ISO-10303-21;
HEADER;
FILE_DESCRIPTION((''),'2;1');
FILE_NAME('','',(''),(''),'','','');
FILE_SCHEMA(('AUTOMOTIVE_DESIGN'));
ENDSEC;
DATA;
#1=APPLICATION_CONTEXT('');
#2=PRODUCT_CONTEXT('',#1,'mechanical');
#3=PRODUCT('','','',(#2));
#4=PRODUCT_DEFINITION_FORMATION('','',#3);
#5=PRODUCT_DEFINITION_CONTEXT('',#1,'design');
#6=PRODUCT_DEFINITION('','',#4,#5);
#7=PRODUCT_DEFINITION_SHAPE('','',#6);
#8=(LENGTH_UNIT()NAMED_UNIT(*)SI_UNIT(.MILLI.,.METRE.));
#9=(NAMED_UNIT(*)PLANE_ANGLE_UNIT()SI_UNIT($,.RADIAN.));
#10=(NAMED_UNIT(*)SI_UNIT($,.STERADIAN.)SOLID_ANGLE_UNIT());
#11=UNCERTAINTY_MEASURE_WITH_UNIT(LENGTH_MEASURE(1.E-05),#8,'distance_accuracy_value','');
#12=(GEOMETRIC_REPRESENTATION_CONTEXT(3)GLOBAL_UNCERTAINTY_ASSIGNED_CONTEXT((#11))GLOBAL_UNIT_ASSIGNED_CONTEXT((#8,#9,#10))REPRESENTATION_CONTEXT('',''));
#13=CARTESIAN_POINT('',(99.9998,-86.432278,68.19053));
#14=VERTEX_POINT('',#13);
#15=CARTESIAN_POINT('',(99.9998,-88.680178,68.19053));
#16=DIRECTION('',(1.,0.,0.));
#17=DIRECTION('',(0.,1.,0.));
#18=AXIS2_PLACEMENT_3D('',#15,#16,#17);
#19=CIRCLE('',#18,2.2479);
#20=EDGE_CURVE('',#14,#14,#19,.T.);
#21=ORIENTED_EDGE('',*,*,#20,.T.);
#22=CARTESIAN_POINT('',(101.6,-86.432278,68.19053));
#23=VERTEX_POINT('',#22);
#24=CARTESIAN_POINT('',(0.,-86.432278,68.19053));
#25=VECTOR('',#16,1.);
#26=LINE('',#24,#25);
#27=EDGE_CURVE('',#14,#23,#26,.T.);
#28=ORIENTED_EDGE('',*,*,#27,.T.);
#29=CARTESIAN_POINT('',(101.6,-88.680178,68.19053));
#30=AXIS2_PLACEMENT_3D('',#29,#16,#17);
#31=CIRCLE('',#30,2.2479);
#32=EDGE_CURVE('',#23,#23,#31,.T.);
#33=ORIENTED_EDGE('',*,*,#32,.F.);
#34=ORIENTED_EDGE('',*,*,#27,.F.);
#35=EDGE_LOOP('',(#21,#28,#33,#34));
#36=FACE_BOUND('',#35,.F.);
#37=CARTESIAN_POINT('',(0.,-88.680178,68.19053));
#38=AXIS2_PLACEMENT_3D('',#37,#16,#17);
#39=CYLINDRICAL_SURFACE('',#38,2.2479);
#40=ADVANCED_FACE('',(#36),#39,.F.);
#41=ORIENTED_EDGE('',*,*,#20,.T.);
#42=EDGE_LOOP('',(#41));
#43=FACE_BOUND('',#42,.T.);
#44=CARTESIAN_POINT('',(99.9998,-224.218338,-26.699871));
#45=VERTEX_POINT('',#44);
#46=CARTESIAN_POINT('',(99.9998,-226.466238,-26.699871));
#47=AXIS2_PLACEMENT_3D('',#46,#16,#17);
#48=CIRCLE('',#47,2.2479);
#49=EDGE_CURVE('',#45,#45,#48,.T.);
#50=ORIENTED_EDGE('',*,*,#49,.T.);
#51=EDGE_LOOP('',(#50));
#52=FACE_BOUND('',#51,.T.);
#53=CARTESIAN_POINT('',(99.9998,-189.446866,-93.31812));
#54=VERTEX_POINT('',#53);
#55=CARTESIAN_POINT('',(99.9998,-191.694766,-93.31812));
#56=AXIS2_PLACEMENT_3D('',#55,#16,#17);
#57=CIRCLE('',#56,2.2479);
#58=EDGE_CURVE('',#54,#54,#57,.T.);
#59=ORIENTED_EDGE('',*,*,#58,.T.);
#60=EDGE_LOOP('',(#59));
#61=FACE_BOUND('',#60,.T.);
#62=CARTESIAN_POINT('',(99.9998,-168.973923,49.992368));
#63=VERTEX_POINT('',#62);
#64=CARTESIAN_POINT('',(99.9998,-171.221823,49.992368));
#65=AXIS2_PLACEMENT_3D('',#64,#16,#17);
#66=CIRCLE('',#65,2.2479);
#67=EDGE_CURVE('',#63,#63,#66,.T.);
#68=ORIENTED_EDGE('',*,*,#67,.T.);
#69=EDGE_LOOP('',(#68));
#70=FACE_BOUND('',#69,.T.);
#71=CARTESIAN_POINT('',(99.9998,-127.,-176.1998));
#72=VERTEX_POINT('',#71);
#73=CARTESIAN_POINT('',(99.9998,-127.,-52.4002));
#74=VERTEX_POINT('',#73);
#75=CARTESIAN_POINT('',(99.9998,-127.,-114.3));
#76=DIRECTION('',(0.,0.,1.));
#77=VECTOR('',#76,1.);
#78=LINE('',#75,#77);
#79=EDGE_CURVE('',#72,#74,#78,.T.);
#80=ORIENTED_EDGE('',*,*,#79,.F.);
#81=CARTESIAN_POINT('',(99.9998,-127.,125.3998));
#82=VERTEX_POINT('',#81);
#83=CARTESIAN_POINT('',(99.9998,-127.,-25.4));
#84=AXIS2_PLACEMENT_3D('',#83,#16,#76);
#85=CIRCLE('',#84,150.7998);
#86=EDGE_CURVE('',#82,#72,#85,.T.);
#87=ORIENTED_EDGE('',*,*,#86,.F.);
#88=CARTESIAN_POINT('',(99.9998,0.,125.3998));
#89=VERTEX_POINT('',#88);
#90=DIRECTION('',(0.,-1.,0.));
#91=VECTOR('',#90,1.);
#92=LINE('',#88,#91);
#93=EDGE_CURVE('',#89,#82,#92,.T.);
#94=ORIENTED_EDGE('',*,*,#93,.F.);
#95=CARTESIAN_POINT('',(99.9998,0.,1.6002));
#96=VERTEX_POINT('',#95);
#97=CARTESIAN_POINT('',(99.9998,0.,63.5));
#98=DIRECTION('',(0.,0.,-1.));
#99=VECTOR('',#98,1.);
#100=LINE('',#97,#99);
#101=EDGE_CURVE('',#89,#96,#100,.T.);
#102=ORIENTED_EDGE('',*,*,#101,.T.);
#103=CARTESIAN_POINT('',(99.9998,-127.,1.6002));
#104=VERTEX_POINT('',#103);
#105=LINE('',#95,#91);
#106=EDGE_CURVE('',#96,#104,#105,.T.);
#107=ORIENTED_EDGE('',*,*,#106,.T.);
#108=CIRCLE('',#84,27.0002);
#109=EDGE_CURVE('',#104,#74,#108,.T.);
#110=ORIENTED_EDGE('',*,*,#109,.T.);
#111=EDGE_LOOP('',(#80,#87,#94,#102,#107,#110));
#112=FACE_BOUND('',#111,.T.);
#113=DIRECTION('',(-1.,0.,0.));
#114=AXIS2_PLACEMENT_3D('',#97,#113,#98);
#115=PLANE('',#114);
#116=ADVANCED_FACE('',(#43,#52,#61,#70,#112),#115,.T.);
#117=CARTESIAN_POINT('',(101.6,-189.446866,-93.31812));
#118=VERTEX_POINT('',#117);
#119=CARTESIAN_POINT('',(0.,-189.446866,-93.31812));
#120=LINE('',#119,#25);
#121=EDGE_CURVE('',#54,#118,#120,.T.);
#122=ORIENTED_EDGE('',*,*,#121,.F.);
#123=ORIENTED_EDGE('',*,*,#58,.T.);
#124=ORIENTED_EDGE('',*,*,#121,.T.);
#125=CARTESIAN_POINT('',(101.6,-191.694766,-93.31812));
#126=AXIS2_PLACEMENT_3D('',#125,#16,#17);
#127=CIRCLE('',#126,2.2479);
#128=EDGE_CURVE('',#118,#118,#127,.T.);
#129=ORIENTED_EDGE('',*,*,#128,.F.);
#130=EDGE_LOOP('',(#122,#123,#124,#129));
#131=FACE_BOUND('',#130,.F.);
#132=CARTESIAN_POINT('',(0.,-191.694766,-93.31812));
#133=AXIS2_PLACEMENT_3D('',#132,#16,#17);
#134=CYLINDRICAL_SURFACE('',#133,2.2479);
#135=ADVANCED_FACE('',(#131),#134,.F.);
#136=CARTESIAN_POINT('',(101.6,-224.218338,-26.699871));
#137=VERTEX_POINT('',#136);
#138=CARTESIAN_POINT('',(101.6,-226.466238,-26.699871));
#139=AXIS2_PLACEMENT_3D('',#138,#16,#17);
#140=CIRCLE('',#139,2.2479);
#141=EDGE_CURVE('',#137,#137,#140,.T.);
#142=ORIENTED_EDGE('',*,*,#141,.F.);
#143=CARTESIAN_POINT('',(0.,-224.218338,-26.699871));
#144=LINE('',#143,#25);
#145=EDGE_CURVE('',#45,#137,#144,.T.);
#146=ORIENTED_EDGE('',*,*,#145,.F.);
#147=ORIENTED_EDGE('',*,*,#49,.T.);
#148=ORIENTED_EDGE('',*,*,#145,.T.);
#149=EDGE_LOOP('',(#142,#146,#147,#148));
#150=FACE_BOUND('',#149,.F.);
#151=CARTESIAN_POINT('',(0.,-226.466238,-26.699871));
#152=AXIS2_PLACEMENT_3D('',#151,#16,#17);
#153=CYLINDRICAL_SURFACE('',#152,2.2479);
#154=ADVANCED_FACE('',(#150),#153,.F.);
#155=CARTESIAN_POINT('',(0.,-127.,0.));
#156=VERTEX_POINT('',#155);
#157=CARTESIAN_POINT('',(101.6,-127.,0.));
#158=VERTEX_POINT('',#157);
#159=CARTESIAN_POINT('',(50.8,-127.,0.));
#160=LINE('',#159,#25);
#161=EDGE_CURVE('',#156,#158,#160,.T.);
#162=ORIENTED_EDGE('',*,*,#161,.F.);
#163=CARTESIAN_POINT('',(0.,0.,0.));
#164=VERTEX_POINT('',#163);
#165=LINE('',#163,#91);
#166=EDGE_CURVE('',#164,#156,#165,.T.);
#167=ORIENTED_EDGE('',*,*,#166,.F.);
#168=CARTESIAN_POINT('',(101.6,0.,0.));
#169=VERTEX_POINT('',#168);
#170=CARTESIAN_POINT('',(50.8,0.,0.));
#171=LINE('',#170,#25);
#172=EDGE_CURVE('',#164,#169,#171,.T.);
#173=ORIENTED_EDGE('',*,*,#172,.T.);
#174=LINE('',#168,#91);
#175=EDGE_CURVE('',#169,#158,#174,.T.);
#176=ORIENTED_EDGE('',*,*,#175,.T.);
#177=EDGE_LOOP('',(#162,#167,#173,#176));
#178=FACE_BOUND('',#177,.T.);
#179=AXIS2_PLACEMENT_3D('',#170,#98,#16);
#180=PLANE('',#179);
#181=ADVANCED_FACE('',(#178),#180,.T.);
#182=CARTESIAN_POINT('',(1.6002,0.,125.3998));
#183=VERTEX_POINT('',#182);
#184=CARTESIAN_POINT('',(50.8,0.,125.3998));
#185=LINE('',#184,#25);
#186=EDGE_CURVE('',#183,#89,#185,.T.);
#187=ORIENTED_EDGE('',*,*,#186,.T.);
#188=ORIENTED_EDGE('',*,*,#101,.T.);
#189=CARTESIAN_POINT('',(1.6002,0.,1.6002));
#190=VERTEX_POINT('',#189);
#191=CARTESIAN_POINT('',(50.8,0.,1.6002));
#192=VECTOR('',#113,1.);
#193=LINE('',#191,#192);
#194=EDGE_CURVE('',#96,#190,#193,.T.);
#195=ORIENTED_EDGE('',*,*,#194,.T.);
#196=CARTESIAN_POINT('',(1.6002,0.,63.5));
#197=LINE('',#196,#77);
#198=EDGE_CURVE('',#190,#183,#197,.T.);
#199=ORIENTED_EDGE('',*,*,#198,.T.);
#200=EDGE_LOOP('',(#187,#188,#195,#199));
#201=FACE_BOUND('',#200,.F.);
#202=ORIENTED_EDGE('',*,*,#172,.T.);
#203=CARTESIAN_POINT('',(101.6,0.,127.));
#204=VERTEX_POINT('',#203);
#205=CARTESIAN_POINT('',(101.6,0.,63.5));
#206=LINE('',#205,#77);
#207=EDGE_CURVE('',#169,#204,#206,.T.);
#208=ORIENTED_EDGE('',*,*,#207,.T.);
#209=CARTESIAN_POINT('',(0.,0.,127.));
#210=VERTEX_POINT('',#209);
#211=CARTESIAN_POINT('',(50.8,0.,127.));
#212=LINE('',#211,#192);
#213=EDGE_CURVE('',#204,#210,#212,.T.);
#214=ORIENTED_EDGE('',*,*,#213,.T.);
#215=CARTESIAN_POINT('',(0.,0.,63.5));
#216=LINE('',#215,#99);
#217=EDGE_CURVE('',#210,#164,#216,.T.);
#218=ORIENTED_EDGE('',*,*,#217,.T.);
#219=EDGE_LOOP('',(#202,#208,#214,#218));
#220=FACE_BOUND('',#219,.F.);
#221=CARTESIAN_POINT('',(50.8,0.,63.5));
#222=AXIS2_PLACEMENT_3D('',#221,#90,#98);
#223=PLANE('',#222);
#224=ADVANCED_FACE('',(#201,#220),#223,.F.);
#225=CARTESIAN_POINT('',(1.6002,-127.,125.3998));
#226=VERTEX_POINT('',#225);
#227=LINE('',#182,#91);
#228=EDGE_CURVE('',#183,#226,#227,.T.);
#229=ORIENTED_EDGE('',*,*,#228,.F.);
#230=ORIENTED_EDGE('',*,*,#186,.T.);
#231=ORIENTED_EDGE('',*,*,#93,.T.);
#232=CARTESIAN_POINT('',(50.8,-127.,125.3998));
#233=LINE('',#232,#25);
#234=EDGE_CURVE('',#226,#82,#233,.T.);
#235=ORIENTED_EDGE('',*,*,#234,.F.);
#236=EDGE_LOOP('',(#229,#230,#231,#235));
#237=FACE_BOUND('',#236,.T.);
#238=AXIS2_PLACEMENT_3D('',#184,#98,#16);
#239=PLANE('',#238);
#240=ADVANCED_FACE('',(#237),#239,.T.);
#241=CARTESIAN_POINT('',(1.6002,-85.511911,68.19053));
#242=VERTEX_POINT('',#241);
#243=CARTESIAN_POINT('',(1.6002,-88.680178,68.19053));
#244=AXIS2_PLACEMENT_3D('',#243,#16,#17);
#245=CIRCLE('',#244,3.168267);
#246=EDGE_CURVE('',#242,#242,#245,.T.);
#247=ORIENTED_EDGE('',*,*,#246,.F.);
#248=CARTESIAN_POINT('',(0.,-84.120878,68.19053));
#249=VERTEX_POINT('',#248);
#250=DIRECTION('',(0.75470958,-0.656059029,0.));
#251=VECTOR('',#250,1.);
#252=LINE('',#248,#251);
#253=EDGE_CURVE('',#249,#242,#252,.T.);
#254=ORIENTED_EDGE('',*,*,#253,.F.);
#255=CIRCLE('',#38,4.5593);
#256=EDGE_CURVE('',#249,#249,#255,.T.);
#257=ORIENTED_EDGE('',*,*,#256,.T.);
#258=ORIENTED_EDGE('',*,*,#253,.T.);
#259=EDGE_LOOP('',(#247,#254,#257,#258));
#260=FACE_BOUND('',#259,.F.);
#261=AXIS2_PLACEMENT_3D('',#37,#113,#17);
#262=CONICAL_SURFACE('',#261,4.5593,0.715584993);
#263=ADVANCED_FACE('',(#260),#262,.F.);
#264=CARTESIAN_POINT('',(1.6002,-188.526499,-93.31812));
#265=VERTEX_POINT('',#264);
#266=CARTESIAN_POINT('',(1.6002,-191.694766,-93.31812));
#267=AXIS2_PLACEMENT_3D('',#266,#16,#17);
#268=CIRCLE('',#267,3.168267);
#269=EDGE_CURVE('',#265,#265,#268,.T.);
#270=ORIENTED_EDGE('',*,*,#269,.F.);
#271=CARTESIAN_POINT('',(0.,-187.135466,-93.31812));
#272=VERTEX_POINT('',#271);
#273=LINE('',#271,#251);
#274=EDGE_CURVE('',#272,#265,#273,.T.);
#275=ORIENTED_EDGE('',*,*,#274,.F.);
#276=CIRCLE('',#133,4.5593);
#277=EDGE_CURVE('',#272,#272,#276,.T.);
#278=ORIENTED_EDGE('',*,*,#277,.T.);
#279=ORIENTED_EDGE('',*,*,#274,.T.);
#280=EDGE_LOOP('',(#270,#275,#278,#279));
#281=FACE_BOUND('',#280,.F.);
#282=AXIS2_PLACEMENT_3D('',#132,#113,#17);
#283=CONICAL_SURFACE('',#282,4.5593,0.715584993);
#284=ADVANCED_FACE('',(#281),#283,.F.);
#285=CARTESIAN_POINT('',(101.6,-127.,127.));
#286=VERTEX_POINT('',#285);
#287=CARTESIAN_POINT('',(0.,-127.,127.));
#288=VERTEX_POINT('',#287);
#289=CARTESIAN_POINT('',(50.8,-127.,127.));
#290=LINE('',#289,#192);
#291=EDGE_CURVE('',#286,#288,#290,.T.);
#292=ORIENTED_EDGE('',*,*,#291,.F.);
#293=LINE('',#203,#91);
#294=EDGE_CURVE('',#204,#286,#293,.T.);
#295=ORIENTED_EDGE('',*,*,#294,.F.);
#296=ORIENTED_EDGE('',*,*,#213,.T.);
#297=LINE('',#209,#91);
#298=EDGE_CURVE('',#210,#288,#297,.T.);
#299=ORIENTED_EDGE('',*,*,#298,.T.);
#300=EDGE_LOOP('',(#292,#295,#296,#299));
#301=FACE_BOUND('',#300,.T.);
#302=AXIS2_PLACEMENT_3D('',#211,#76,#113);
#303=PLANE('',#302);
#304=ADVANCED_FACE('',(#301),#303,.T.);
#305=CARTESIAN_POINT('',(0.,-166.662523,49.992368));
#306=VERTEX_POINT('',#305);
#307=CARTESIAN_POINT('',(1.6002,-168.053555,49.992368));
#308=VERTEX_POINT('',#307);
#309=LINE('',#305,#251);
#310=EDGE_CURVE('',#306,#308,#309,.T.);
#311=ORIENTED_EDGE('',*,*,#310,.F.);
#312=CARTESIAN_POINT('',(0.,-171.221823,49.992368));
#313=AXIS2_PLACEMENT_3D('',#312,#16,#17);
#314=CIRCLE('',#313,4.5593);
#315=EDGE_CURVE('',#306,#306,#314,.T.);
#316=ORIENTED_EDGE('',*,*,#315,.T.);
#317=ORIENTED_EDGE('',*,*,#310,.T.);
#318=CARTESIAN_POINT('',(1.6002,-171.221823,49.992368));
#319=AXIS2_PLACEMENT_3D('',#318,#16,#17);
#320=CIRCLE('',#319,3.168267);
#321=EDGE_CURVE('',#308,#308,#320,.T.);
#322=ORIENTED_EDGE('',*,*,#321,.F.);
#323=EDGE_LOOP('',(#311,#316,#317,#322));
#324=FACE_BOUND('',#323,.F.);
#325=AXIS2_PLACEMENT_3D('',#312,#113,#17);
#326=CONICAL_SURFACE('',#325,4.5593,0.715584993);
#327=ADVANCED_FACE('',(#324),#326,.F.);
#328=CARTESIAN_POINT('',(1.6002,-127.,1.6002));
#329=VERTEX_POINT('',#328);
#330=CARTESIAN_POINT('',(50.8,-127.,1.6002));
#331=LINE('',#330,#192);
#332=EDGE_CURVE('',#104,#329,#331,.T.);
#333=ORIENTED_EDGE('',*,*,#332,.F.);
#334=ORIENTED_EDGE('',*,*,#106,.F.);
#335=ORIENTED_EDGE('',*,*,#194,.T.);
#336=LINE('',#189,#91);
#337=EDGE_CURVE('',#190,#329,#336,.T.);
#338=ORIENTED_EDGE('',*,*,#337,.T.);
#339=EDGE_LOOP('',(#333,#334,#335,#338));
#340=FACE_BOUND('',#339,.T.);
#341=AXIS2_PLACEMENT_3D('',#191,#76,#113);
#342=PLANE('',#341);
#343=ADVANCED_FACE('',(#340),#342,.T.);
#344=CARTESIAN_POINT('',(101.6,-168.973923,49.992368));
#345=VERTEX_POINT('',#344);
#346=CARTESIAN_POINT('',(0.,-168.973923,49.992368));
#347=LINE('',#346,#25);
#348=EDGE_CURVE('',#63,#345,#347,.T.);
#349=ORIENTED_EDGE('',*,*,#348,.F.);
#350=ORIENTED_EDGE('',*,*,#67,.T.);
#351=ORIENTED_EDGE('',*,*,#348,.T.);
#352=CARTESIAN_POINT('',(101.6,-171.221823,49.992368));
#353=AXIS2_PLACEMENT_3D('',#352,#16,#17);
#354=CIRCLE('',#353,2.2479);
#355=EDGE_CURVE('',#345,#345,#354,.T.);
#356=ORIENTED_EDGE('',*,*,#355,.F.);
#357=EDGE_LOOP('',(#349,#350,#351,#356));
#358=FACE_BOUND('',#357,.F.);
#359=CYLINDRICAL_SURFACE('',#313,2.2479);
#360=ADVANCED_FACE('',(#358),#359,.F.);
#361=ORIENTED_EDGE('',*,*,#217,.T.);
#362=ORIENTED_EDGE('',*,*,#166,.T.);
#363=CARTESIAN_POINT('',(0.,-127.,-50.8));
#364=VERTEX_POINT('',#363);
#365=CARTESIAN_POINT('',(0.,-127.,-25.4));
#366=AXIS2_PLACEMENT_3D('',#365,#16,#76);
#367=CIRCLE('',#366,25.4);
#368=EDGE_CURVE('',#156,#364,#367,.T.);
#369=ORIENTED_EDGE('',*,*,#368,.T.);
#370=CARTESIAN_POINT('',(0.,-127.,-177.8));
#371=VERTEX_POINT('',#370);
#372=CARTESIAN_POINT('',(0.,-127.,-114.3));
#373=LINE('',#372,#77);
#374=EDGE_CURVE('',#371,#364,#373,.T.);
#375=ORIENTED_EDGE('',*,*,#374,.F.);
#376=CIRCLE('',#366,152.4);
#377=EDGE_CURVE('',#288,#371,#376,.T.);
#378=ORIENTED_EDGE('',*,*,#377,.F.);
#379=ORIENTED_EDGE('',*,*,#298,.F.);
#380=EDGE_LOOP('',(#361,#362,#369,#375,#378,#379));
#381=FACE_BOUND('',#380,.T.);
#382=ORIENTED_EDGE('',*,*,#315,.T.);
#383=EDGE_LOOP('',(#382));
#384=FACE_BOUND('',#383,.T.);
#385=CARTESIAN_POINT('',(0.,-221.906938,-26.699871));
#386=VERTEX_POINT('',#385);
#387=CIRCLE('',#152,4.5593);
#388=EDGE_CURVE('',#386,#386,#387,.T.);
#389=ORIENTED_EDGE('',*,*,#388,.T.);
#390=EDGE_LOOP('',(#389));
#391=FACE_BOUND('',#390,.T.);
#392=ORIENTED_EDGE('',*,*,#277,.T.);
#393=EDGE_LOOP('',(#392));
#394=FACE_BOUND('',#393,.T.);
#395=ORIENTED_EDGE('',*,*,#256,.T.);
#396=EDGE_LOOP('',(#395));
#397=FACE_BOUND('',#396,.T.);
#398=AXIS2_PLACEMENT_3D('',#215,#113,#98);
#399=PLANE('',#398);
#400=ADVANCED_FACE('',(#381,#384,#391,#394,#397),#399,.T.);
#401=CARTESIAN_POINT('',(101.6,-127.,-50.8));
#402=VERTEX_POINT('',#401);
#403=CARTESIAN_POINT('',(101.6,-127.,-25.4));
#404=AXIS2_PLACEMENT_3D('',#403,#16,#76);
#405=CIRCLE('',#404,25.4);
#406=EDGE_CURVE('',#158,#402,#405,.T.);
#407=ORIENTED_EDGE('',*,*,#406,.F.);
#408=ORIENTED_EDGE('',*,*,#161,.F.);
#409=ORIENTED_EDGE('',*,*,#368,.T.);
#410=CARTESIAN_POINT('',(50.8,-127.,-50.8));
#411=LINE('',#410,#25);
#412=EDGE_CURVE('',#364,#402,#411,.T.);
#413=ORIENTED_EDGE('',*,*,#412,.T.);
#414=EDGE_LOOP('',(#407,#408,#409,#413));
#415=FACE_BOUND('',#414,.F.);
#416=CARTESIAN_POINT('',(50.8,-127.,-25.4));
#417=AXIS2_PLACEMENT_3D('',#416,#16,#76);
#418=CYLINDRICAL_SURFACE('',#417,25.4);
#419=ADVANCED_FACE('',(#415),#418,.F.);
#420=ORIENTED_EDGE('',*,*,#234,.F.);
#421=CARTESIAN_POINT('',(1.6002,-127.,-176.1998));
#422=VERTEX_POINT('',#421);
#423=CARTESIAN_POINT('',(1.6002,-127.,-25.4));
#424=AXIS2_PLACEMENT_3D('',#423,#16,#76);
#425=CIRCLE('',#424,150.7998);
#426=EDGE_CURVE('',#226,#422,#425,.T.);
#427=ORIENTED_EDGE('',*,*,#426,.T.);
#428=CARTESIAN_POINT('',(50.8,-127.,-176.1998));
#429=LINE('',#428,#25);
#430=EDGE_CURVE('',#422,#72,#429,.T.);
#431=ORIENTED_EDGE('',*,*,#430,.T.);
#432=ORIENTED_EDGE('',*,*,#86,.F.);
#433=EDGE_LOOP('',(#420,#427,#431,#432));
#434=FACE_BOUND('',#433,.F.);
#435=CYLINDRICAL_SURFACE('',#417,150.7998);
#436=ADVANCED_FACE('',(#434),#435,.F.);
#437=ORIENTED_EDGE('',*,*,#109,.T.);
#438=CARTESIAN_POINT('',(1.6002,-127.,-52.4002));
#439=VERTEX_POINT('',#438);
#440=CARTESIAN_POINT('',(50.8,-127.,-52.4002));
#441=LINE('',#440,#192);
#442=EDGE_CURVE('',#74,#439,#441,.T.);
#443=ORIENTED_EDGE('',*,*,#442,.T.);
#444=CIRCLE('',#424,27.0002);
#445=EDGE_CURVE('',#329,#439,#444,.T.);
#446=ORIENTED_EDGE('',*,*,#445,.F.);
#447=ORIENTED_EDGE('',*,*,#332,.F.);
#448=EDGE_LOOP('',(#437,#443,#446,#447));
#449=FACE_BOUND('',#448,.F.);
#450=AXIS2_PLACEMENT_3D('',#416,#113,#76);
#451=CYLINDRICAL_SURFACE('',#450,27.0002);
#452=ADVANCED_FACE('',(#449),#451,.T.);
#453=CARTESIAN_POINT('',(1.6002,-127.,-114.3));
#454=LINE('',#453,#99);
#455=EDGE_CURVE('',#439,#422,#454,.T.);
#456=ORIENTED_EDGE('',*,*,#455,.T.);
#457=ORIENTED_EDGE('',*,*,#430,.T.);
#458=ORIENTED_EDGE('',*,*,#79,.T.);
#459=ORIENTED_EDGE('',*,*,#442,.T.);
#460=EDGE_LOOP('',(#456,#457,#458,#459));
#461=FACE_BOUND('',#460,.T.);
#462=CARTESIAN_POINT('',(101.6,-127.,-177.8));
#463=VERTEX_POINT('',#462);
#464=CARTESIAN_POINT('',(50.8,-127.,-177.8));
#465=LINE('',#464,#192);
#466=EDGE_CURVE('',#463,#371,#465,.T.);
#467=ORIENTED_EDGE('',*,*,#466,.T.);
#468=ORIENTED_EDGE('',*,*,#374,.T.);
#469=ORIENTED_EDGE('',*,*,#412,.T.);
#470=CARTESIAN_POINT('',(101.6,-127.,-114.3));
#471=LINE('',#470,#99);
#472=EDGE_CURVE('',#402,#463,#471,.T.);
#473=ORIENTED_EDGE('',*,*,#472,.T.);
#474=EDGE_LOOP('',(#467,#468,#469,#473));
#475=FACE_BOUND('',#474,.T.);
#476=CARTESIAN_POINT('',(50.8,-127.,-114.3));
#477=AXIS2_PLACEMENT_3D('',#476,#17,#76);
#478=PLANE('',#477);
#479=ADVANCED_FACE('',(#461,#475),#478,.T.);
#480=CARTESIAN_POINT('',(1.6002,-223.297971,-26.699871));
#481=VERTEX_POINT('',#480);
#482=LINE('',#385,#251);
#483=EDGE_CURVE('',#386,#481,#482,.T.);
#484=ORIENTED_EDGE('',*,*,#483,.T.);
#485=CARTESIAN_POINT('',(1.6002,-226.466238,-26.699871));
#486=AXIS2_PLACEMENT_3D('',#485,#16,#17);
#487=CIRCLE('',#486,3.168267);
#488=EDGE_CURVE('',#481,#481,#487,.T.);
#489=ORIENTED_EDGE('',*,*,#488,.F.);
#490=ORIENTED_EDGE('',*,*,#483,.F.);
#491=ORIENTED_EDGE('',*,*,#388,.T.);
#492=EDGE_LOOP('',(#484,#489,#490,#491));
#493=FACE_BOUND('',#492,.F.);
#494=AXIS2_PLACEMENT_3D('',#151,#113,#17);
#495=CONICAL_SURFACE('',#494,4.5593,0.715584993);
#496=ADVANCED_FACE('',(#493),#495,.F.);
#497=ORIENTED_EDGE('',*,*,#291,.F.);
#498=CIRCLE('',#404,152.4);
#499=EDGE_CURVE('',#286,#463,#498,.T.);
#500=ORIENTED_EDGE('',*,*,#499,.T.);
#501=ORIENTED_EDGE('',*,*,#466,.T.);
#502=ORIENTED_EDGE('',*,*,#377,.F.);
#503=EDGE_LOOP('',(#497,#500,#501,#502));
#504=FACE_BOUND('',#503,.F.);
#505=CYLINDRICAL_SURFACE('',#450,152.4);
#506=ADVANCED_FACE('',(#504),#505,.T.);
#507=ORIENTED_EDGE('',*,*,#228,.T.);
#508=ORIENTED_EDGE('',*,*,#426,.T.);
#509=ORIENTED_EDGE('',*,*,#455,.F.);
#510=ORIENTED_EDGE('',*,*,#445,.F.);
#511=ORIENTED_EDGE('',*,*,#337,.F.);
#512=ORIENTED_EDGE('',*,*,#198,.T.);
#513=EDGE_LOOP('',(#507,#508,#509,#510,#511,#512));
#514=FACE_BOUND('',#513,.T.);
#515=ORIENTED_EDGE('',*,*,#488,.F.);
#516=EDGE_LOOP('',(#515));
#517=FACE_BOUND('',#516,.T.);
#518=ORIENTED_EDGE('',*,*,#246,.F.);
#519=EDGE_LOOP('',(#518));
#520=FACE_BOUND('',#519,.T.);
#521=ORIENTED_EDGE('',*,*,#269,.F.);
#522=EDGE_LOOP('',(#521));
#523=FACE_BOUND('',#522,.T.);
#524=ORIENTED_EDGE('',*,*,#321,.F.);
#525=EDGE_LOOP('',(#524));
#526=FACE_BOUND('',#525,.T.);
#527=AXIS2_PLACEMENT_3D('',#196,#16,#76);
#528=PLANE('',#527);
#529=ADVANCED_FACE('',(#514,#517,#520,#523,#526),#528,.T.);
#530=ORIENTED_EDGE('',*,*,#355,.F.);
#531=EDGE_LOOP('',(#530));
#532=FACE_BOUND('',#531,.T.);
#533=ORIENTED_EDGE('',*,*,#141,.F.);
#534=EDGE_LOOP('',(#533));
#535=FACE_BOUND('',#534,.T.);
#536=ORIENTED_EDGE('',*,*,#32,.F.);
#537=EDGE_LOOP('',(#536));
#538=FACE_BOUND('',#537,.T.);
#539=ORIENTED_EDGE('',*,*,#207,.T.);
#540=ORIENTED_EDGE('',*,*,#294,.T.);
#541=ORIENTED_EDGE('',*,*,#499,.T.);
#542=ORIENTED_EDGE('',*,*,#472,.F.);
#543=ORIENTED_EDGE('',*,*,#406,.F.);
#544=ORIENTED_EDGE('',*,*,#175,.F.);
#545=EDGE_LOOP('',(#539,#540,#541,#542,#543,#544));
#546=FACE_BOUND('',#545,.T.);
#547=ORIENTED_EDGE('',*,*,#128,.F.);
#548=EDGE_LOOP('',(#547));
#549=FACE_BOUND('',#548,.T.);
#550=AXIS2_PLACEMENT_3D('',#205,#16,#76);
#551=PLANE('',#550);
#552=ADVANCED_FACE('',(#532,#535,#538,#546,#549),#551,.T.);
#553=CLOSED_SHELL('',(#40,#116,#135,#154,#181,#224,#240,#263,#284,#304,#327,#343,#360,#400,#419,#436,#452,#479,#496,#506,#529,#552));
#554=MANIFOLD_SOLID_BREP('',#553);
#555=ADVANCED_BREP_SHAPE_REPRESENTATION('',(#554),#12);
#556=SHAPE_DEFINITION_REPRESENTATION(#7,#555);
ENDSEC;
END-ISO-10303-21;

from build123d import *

# Parameters (mm, degrees)
F0_W           = 101.6
F0_H           = 127
F0_W_2         = 98.3996
F0_H_2         = 123.7996
F4_D           = 4.4958
F4_CSINK_D     = 9.1186
F4_CSINK_ANGLE = 82


with BuildPart() as f2:
    # F2: sweep along a path in F1
    with BuildLine(Plane.YZ) as f2_path:
        Line((0, 0), (-127, 0))
        ThreePointArc((-127, 0), (-152.4, -25.4), (-127, -50.8))
    # F0 (on Front) → F2 (sweep)
    with BuildSketch(Plane.XZ):
        with Locations((50.8, 63.5)):
            Rectangle(F0_W, F0_H)
        with Locations((50.8, 63.5)):
            Rectangle(F0_W_2, F0_H_2, mode=Mode.SUBTRACT)
    sweep(path=f2_path.line)

    # F4 (through all)
    with Locations(Plane(origin=(0, 0, 0), x_dir=(0, -1, 0), z_dir=(-1, 0, 0))):
        with Locations((191.694766283, -93.3181196451), (226.4662384987, -26.6998708248), (171.2218225002, 49.9923676252), (88.680177927, 68.1905299425)):
            CounterSinkHole(F4_D / 2, F4_CSINK_D / 2, counter_sink_angle=F4_CSINK_ANGLE)


solid = f2.part
